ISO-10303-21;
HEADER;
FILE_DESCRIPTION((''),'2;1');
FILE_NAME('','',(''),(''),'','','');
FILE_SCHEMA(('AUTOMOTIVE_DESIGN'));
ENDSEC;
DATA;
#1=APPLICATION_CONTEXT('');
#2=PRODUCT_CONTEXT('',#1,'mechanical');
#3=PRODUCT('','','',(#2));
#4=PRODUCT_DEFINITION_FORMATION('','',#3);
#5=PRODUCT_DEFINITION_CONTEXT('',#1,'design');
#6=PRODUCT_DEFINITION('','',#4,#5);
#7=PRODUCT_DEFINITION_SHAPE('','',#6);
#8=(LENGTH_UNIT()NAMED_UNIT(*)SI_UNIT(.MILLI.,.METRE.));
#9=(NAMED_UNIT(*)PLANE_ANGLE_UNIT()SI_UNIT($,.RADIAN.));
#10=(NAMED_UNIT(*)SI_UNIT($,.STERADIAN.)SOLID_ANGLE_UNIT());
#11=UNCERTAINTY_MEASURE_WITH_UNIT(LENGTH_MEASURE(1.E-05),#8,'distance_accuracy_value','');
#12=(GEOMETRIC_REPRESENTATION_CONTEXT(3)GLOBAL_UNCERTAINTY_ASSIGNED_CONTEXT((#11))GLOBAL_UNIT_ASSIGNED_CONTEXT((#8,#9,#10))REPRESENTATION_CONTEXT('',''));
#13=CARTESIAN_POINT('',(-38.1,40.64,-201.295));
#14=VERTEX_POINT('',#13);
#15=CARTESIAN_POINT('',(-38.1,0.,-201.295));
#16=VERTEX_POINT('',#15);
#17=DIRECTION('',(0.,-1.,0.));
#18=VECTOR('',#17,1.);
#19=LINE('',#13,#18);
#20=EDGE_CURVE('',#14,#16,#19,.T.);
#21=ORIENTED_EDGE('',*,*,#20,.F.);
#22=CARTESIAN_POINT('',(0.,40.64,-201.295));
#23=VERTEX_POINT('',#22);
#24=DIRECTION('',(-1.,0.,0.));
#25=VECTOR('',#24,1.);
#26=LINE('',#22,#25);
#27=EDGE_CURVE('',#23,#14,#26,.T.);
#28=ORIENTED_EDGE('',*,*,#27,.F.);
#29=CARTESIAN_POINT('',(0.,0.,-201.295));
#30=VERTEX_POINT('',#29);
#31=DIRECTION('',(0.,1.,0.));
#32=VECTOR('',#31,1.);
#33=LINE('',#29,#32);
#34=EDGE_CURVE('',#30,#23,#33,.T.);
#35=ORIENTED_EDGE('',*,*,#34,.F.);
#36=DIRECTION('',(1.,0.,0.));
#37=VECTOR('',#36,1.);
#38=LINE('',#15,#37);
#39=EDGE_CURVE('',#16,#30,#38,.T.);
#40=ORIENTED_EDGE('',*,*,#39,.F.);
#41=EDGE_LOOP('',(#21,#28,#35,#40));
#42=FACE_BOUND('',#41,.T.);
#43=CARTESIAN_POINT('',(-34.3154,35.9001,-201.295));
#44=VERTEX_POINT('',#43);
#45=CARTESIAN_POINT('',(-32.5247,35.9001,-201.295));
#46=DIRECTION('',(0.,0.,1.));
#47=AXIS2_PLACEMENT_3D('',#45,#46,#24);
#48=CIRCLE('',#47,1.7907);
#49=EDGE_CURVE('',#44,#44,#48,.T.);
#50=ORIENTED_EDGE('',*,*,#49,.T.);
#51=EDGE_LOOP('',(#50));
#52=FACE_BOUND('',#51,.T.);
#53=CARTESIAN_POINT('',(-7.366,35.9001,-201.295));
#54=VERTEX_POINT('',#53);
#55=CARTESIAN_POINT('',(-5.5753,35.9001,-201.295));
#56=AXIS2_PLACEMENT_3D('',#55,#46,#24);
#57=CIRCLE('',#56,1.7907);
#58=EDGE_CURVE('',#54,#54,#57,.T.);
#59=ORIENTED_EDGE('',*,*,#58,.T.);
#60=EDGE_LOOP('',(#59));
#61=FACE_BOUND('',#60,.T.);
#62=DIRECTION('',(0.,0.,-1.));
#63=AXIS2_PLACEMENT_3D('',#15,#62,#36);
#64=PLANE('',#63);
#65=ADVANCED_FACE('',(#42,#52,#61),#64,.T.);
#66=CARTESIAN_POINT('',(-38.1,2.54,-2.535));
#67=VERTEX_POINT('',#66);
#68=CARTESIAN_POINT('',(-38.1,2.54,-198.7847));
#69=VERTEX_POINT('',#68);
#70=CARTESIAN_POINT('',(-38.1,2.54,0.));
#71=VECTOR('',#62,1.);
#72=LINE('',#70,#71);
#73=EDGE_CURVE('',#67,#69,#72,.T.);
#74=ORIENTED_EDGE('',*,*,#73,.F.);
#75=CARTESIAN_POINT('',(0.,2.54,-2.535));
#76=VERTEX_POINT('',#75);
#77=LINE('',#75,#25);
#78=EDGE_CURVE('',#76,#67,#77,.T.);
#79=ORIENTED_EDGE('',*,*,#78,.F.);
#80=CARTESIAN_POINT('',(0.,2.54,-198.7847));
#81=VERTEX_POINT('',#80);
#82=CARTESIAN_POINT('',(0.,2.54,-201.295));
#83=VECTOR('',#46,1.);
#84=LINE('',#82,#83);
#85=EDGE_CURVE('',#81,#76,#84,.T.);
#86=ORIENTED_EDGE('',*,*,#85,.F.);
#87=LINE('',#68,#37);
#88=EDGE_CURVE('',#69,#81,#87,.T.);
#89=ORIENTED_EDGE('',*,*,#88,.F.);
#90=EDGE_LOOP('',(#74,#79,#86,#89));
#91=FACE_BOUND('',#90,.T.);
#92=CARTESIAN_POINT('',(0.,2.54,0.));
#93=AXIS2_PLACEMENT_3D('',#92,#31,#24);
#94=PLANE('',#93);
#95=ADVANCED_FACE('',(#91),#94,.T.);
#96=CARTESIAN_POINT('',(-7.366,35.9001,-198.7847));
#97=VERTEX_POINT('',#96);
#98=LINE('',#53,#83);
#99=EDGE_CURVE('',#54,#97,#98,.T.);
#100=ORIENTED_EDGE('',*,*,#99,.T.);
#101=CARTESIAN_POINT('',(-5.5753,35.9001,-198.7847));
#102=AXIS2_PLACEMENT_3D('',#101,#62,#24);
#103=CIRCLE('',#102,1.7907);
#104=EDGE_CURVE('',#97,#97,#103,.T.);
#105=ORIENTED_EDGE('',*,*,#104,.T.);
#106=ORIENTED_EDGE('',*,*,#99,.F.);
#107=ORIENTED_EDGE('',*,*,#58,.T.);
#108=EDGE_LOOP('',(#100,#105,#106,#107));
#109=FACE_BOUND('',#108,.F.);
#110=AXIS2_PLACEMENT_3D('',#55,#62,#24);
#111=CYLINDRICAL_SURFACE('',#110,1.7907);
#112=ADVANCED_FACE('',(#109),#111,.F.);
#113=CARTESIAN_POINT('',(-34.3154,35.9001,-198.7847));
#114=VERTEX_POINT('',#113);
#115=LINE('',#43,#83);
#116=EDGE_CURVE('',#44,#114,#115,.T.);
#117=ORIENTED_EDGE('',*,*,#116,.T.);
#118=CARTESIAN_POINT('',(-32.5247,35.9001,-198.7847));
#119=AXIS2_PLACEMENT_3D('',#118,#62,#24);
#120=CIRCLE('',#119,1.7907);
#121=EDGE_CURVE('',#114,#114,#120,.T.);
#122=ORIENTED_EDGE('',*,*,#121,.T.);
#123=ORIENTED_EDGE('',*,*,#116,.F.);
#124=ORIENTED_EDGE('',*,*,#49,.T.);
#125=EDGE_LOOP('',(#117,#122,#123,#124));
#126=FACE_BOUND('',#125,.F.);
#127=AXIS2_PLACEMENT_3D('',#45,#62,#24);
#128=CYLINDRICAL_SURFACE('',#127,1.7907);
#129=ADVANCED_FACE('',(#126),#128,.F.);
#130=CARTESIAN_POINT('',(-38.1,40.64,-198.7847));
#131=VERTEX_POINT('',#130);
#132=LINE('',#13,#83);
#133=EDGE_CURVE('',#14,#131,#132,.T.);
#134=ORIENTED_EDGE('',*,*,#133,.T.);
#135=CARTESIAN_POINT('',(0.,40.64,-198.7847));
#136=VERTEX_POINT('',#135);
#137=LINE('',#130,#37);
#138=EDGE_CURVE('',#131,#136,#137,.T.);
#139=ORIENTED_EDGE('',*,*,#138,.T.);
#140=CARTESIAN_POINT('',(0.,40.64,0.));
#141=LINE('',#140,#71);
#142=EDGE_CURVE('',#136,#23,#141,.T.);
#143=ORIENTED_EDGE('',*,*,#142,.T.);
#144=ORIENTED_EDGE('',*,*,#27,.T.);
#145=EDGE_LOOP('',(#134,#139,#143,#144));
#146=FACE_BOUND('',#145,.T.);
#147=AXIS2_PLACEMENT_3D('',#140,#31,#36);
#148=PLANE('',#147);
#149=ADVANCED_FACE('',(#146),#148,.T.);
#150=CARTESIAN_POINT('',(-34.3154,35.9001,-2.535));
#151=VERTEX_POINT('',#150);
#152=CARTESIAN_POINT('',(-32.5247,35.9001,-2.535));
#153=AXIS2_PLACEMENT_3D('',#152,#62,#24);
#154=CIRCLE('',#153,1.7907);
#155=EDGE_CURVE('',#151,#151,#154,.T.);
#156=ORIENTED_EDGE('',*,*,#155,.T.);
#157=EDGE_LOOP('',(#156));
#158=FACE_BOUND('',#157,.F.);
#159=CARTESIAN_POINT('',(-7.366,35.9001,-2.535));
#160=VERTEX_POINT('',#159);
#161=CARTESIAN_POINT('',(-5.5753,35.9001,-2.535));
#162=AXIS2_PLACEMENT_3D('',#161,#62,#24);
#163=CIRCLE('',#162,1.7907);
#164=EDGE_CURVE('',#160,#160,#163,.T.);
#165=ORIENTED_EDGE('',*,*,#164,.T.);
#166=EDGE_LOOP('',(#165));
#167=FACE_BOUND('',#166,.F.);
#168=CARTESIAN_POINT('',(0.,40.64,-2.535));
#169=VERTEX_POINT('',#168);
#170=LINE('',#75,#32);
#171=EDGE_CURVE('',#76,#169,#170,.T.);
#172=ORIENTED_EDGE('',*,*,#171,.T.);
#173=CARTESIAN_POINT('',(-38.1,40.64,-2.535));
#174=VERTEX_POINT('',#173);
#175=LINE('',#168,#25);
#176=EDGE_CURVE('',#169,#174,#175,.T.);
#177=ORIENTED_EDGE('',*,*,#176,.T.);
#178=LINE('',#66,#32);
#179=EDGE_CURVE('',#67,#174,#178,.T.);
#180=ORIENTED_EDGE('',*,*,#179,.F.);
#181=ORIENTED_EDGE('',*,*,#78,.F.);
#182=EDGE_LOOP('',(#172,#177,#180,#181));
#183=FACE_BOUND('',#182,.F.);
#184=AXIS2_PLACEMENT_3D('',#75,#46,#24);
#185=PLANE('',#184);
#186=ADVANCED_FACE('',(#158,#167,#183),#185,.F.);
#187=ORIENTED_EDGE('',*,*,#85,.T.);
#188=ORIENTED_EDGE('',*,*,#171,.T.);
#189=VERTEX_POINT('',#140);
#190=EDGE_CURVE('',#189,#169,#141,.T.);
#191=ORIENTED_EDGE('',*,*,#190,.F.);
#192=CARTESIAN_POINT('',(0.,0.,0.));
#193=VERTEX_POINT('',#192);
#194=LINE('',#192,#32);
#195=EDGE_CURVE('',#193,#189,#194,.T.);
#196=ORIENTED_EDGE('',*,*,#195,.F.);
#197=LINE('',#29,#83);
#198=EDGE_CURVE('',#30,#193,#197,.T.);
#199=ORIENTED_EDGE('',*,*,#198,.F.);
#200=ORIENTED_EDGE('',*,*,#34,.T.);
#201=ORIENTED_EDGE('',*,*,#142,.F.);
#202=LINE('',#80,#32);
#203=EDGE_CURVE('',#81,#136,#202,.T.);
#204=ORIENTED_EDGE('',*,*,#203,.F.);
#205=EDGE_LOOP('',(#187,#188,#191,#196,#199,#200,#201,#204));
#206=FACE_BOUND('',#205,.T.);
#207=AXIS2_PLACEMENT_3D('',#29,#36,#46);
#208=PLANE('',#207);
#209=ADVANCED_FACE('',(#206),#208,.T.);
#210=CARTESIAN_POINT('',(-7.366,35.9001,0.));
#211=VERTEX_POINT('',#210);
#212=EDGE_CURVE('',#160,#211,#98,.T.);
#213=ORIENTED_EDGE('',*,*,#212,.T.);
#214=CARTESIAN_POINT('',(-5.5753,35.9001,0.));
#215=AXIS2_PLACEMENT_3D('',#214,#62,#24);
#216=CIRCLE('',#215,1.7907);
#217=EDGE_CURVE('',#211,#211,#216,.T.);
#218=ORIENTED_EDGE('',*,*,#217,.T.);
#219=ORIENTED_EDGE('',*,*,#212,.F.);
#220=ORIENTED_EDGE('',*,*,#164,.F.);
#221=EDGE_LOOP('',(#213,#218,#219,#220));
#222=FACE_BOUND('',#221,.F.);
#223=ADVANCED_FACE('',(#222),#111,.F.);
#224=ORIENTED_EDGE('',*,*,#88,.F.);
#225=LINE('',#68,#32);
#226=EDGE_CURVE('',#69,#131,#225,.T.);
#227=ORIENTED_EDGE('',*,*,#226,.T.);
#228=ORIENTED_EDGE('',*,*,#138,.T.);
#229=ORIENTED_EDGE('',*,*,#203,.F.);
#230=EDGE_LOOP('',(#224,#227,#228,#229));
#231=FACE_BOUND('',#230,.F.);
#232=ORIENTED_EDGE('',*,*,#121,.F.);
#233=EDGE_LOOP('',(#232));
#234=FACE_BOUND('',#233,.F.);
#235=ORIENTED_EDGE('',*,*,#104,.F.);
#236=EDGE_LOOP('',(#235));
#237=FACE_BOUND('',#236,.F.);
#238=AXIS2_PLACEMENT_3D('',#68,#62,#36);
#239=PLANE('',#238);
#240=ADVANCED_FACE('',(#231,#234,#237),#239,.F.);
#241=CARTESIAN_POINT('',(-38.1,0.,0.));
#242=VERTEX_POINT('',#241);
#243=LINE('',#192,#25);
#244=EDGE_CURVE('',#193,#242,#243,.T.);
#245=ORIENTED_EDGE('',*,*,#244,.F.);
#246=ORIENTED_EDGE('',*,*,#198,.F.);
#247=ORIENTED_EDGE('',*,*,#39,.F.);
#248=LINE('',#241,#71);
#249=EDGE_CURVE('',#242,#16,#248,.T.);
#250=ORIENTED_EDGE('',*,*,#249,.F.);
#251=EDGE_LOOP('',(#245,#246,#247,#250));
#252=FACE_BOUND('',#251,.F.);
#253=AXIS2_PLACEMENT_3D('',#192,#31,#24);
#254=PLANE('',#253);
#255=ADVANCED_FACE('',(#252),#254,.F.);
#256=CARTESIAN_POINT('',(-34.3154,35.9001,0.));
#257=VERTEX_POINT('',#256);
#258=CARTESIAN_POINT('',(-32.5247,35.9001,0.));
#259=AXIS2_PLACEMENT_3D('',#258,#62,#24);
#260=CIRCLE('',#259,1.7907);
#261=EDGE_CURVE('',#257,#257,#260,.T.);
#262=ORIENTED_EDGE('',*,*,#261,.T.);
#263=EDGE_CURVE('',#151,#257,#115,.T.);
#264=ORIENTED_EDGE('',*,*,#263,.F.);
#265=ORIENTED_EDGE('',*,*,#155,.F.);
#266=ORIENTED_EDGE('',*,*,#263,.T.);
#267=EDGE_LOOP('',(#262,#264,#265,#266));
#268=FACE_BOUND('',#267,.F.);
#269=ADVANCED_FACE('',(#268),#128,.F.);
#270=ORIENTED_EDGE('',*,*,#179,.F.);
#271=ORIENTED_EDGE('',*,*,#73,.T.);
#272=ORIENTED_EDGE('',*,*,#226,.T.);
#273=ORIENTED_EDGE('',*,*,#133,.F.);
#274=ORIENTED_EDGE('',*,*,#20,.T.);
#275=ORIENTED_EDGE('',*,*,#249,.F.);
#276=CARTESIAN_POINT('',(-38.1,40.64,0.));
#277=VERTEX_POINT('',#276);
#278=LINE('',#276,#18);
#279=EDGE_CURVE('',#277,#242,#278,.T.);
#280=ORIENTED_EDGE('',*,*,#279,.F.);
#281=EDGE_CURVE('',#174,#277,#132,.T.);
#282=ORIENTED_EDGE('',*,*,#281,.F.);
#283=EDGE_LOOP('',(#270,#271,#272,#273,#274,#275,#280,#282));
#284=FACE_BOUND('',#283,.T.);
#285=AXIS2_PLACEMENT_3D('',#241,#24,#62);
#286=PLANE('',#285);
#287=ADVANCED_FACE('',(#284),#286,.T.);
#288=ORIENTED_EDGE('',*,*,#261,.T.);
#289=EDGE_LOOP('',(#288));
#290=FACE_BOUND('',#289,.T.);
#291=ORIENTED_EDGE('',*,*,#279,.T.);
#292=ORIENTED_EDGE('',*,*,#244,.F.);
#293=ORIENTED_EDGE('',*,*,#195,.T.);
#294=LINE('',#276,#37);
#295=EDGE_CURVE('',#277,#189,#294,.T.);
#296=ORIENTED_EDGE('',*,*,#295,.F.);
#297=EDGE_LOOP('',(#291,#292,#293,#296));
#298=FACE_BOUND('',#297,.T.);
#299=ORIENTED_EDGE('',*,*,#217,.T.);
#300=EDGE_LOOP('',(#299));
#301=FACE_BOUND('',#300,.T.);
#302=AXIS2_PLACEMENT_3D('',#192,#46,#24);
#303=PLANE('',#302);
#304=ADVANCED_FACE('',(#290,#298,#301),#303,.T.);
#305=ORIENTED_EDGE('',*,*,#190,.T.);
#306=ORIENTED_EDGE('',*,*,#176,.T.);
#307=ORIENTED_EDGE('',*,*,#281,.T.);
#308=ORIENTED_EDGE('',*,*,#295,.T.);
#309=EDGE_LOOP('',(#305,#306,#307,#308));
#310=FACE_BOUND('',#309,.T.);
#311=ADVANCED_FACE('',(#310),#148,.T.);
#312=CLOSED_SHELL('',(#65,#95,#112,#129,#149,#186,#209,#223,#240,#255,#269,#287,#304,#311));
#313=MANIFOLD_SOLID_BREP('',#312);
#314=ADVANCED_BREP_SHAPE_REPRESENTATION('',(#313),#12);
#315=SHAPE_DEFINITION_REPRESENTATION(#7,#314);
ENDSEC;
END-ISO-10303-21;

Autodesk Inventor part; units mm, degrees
ref_plane "YZ Plane" through (0, 0, 0) normal (1, 0, 0) x (0, 1, 0)
ref_plane "XZ Plane" through (0, 0, 0) normal (0, 1, 0) x (-1, 0, 0)
ref_plane "XY Plane" through (0, 0, 0) normal (0, 0, 1) x (1, 0, 0)
sketch "Sketch1" plane through (0, 0, 0) normal (0, 1, 0) x (-1, 0, 0)
  line L0 (0, 0) -> (38.1, 0)
  line L1 (38.1, 0) -> (38.1, -201.295)
  line L2 (38.1, -201.295) -> (0, -201.295)
  line L3 (0, -201.295) -> (0, 0)
  dimension "d0" = 201.295
  dimension "d1" = 38.1
extrude "Extrusion1" add sketch "Sketch1" along normal blind 2.54
sketch "Sketch2" plane through (0, 2.54, 0) normal (0, 1, 0) x (1, 0, 0)
  line L0 (-38.1, 201.295) -> (-38.1, 0) projected
  line L1 (-38.1, 0) -> (0, 0) projected
  line L2 (0, 0) -> (0, 201.295) projected
  line L3 (-38.1, 0) -> (0, 0)
  line L4 (0, 0) -> (0, 2.535)
  line L5 (0, 2.535) -> (-38.1, 2.535)
  line L6 (-38.1, 2.535) -> (-38.1, 0)
  line L7 (0, 201.295) -> (-38.1, 201.295)
  line L8 (-38.1, 201.295) -> (-38.1, 198.7847)
  line L9 (-38.1, 198.7847) -> (0, 198.7847)
  line L10 (0, 198.7847) -> (0, 201.295)
extrude "Extrusion2" add sketch "Sketch2" along normal blind 38.1 contours L7 L2 L9 L0 | L5 L2 L1 L0
sketch "Sketch3" plane through (0, 0, -201.295) normal (0, 0, -1) x (-1, 0, 0)
  line L0 (38.1, 40.64) -> (0, 40.64) projected
  line L1 (19.05, 40.64) -> (19.05, 0)
  line L2 (38.1, 0) -> (0, 0) projected
  line L3 (0, 0) -> (0, 40.64) projected
  line L4 (0, 20.32) -> (38.1, 20.32)
  line L5 (38.1, 2.54) -> (38.1, 40.64) projected
  circle A0 centre (19.05, 35.9001) radius 13.4747
  circle A1 centre (32.5247, 35.9001) radius 1.7907
  circle A2 centre (5.5753, 35.9001) radius 1.7907
  dimension "d11" = 26.9494
  dimension "d12" = 3.5814
  dimension "d13" = 3.5814
extrude "Extrusion3" cut sketch "Sketch3" against normal blind 246.0625 contours A1 A0 | A0 A1 | A2 A0 | A0 A2
properties part number "LiftBrace"
